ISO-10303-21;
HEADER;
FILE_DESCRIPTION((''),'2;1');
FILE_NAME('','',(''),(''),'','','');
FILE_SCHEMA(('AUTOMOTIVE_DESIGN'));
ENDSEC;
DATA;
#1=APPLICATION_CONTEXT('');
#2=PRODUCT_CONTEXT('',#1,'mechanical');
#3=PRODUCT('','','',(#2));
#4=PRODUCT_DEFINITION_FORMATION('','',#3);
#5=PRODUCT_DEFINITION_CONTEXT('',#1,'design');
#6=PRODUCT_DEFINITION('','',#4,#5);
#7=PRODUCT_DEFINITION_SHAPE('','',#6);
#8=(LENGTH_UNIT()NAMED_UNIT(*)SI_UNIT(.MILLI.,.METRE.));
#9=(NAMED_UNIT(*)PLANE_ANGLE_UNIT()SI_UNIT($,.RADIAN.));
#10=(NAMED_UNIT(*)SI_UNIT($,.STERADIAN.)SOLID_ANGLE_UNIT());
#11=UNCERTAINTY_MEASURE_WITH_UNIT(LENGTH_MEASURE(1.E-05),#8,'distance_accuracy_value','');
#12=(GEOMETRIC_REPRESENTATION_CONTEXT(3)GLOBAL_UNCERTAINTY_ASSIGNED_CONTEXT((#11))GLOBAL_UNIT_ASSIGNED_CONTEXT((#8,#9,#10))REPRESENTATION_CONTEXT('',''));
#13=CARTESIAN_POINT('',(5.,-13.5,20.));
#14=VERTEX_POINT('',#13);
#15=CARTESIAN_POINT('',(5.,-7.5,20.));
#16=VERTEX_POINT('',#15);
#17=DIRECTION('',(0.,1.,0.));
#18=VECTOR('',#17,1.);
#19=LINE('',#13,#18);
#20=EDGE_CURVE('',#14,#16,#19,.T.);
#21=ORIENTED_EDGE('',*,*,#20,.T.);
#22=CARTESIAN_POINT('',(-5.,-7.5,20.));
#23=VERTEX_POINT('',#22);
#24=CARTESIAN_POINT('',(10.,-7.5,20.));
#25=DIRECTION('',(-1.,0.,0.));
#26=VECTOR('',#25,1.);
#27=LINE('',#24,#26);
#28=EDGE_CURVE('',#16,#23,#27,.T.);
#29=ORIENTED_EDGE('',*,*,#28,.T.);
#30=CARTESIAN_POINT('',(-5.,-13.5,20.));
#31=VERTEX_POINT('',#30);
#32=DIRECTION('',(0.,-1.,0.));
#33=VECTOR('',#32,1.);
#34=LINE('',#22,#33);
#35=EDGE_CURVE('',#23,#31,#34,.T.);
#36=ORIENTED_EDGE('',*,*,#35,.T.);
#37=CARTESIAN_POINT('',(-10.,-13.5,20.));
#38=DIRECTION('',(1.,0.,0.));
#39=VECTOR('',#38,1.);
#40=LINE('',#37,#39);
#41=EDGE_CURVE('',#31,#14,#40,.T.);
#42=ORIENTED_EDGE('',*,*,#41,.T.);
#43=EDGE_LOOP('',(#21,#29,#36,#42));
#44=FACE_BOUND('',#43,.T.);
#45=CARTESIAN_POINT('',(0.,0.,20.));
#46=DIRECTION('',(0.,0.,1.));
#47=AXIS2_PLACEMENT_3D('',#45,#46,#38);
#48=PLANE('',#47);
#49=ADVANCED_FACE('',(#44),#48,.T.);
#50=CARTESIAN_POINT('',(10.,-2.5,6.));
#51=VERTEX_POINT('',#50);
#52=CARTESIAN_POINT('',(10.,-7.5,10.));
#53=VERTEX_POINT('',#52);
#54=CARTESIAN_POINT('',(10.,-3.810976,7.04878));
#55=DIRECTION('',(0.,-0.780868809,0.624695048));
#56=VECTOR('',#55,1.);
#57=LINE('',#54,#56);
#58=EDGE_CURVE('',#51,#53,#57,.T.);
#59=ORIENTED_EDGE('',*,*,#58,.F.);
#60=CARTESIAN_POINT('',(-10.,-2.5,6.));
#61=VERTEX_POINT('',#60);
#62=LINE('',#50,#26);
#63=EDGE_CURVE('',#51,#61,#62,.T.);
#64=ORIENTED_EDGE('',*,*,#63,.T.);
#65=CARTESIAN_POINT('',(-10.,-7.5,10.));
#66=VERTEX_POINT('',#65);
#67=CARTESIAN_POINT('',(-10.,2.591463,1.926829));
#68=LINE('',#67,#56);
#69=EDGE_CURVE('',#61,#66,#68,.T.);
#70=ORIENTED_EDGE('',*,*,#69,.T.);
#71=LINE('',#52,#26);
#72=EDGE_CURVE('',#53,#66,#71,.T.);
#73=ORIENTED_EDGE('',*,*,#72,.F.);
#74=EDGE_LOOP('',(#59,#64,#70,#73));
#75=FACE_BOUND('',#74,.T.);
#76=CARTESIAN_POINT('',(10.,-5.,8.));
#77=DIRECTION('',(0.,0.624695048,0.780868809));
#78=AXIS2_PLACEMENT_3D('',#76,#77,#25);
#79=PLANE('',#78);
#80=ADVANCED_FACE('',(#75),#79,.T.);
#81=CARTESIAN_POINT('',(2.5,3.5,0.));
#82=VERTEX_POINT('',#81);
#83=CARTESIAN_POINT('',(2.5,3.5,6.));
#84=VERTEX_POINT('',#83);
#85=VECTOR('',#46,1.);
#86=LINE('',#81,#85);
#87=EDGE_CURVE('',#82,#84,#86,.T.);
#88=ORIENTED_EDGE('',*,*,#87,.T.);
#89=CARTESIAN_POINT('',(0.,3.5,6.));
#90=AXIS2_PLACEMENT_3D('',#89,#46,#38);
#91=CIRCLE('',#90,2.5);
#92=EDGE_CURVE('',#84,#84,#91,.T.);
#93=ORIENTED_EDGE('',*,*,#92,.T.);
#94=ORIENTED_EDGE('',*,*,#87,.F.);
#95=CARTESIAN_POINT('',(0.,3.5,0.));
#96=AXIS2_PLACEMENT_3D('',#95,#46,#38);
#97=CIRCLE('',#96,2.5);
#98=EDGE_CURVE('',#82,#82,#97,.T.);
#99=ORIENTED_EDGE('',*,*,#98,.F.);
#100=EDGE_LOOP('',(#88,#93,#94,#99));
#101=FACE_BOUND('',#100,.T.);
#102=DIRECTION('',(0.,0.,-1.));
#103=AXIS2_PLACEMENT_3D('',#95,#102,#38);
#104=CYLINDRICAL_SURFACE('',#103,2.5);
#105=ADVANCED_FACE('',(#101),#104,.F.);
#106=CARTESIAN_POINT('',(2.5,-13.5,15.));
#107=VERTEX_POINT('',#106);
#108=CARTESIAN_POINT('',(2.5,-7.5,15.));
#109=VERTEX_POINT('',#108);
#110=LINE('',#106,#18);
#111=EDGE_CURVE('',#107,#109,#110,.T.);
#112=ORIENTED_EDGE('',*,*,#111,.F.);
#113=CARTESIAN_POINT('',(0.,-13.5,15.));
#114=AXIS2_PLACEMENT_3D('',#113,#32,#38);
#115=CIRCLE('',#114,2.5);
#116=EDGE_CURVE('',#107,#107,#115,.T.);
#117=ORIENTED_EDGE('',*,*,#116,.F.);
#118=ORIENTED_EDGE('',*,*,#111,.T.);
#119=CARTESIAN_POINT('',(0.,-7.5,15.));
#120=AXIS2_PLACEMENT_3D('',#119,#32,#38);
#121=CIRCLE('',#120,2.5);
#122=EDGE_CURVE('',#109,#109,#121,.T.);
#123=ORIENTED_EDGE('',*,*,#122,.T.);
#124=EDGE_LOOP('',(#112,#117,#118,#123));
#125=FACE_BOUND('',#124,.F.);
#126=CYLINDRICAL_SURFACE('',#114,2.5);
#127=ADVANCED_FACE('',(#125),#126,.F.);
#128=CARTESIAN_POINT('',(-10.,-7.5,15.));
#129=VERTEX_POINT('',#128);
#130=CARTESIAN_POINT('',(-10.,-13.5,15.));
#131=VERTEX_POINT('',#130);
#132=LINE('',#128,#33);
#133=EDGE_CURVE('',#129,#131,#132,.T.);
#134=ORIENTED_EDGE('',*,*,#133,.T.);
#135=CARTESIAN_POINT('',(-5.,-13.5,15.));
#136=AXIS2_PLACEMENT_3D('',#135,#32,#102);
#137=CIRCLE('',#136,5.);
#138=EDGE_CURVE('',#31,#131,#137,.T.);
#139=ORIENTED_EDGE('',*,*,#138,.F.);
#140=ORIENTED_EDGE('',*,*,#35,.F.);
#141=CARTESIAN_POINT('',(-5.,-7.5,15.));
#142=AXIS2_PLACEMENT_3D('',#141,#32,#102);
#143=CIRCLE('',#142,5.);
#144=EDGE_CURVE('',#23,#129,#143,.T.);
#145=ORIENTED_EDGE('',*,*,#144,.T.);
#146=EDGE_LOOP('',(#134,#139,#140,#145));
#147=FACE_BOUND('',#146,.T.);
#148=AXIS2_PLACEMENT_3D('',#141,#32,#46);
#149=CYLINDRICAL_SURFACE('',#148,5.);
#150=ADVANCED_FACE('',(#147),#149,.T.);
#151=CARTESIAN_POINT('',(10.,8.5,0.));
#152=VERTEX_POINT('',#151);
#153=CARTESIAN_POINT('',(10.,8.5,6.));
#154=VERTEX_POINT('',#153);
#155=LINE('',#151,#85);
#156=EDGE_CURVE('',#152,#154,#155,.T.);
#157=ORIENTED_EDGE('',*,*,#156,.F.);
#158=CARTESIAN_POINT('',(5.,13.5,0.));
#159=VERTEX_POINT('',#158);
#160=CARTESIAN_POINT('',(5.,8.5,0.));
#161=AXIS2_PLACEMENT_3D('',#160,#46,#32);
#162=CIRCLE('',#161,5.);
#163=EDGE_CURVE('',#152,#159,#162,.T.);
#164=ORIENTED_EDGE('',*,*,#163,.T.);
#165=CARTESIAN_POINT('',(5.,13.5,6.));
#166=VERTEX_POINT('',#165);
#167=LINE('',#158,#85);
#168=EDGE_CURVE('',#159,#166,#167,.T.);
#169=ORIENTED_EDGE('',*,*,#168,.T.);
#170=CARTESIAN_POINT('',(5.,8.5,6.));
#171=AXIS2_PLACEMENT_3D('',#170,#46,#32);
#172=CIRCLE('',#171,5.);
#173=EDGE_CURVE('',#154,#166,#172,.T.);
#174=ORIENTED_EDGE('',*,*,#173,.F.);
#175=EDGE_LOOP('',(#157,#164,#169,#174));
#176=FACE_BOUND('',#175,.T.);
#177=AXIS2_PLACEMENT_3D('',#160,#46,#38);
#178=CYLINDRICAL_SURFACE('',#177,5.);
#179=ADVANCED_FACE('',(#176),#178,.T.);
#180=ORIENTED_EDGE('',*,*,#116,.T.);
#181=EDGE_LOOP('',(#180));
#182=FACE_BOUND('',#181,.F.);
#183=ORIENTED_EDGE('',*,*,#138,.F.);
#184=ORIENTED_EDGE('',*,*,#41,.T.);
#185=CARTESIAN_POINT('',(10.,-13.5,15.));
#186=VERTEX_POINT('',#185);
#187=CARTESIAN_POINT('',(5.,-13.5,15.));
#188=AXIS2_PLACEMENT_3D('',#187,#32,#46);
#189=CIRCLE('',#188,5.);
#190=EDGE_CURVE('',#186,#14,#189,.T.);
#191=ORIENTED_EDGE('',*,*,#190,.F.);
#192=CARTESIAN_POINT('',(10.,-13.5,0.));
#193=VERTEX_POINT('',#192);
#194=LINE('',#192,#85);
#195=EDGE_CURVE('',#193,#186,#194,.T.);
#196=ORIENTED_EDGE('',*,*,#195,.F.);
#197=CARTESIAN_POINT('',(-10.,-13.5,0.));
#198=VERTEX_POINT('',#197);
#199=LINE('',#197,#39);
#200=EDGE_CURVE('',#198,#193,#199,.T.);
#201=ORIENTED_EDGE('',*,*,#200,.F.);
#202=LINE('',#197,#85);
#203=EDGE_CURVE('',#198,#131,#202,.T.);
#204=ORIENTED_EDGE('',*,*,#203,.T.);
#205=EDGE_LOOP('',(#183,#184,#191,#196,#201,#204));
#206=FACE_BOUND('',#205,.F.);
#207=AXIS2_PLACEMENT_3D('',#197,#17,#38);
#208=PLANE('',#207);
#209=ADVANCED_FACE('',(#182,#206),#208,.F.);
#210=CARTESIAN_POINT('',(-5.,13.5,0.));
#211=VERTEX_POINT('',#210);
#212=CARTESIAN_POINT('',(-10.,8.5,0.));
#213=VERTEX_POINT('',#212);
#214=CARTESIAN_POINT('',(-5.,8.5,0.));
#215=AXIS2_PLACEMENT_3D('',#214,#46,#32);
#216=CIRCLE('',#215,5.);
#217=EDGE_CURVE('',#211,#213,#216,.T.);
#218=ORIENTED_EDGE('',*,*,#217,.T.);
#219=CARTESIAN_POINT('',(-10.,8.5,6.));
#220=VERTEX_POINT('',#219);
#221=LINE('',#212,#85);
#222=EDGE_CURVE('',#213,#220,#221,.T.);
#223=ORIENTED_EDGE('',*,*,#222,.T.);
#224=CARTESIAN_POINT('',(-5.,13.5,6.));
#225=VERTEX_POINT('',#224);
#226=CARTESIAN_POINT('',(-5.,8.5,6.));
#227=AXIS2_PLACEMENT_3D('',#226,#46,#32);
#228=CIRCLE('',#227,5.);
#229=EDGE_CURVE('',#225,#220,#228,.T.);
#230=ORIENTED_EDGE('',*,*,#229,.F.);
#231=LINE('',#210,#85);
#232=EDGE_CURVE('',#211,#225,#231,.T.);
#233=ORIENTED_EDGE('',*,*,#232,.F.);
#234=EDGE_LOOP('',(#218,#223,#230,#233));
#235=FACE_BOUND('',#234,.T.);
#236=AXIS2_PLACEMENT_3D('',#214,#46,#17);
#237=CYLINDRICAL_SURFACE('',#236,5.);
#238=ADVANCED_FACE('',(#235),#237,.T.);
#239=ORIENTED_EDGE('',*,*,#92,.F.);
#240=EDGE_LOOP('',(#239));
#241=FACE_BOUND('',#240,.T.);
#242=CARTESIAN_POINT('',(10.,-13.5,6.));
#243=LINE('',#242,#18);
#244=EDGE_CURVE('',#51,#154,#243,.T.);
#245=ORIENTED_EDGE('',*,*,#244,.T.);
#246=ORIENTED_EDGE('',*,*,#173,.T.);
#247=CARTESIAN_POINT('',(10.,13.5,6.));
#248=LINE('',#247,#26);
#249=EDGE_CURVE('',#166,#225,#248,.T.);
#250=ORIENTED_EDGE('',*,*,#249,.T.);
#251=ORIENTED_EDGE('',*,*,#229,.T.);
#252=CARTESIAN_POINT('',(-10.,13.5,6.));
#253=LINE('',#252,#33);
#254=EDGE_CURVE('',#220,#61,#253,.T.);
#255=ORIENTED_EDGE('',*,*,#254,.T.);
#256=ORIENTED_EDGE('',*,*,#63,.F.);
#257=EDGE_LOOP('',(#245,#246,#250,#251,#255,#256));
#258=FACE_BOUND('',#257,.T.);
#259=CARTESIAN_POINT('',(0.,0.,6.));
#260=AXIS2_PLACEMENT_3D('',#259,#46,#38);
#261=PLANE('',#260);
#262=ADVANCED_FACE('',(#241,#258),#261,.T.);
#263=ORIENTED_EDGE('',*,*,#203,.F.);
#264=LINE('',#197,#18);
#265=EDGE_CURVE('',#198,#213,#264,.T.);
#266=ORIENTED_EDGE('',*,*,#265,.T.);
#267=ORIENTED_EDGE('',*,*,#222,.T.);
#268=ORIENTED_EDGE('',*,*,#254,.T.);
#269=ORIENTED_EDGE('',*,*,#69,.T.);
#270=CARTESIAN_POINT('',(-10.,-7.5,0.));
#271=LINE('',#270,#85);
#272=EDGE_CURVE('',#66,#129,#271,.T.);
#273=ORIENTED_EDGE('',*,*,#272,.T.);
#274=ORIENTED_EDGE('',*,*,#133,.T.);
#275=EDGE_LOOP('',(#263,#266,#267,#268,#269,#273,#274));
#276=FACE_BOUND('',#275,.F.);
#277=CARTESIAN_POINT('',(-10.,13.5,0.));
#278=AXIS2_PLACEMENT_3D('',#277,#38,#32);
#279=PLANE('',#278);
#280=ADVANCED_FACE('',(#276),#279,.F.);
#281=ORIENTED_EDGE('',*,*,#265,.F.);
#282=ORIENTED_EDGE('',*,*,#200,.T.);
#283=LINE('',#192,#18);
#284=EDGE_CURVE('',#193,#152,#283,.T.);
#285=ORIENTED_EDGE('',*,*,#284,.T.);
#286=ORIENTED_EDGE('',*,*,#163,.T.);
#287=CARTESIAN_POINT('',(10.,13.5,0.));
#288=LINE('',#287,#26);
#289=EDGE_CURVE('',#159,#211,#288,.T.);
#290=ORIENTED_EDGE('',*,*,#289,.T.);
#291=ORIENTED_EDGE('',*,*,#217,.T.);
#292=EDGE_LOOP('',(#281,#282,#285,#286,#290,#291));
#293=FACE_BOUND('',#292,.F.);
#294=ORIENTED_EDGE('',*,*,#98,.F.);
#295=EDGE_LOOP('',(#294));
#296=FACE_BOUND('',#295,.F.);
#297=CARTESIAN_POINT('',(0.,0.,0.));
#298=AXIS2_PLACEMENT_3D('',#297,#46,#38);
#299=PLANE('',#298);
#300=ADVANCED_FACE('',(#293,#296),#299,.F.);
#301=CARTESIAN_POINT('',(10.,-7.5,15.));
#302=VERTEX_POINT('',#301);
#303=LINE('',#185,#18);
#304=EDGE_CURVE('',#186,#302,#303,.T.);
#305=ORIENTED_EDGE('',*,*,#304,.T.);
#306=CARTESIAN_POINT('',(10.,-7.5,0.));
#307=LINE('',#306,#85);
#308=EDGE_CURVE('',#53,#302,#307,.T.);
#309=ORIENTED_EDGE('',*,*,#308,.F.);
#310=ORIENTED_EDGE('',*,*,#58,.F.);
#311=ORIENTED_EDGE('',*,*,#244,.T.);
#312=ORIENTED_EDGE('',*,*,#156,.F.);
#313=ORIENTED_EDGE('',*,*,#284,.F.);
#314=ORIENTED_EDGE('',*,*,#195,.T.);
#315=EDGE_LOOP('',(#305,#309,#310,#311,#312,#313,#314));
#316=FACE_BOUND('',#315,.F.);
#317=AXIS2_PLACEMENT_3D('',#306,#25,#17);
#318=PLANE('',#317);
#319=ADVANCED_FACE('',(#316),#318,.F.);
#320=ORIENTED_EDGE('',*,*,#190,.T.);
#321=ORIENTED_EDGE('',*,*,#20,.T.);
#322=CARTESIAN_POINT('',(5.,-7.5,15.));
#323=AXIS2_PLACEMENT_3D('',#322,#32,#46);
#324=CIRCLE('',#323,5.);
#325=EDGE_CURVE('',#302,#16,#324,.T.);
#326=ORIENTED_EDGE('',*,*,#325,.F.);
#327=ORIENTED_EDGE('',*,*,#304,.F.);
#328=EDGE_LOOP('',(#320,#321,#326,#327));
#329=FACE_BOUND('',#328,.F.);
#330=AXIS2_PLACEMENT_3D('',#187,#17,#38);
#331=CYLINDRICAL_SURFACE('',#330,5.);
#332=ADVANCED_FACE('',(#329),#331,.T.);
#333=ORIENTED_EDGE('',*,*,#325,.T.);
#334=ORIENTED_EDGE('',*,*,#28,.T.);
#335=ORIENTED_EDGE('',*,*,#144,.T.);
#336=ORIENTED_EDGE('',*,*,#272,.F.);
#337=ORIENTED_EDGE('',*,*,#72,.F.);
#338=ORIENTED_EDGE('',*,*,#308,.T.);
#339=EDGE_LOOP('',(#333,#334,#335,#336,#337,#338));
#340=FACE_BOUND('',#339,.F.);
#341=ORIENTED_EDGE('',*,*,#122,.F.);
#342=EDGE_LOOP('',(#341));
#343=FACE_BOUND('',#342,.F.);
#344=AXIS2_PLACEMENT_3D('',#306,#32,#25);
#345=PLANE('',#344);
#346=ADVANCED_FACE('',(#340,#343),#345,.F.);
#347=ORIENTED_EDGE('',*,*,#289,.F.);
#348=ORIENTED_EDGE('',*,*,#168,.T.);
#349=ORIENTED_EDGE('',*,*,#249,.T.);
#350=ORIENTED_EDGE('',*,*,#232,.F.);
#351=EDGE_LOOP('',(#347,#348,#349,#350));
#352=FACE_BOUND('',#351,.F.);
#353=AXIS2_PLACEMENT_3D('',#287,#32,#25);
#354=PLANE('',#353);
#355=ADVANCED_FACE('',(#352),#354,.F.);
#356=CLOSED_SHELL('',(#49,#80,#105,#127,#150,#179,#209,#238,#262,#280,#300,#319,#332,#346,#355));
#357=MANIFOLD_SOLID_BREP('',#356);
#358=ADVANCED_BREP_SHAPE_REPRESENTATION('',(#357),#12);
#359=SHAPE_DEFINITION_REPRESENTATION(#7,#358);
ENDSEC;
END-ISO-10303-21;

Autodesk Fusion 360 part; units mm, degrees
sketch "Sketch1" plane through (0, 0, 0) normal (0, 0, 1) x (1, 0, 0)
  line L0 (10, 13.5) -> (-10, 13.5)
  line L1 (-10, 13.5) -> (-10, -13.5)
  line L2 (-10, -13.5) -> (10, -13.5)
  line L3 (10, -13.5) -> (10, 13.5)
  line L4 (10, 13.5) -> (-10, -13.5) construction
  line L5 (-10, 13.5) -> (10, -13.5) construction
  circle A0 centre (0, 3.5) radius 2.5
  line L6 (-10, -13.5) -> (10, -13.5)
  line L7 (10, -13.5) -> (10, -7.5)
  line L8 (10, -7.5) -> (-10, -7.5)
  line L9 (-10, -7.5) -> (-10, -13.5)
  dimension "d1" = 20
  dimension "d2" = 27
  dimension "d3" = 5
  dimension "d4" = 10
  dimension "d5" = 6
extrude "Extrude1" add sketch "Sketch1" along normal blind 6 contours L0 L1 L3 L8
extrude "Extrude2" add sketch "Sketch1" along normal blind 20 contours L1 L2 L3 L6 L7 L8 L9
sketch "Sketch2" plane through (0, -13.5, 0) normal (0, -1, 0) x (1, 0, 0)
  line L0 (-10, 0) -> (10, 0)
  line L1 (10, 0) -> (10, 20)
  line L2 (10, 20) -> (-10, 20)
  line L3 (-10, 20) -> (-10, 0)
  circle A0 centre (0, 15) radius 2.5
  dimension "d10" = 5
  dimension "d11" = 15
extrude "Extrude3" cut sketch "Sketch2" against normal blind 90 contours A0
chamfer "Chamfer1" distance 5 distance2 4 1 edges at (0, -7.5, 6) measured on face at (-0.0623, -4.6643, 6)
fillet "Fillet1" radius 5 4 edges at (10, 13.5, 3) (-10, 13.5, 3) (-10, -10.5, 20) (10, -10.5, 20)
